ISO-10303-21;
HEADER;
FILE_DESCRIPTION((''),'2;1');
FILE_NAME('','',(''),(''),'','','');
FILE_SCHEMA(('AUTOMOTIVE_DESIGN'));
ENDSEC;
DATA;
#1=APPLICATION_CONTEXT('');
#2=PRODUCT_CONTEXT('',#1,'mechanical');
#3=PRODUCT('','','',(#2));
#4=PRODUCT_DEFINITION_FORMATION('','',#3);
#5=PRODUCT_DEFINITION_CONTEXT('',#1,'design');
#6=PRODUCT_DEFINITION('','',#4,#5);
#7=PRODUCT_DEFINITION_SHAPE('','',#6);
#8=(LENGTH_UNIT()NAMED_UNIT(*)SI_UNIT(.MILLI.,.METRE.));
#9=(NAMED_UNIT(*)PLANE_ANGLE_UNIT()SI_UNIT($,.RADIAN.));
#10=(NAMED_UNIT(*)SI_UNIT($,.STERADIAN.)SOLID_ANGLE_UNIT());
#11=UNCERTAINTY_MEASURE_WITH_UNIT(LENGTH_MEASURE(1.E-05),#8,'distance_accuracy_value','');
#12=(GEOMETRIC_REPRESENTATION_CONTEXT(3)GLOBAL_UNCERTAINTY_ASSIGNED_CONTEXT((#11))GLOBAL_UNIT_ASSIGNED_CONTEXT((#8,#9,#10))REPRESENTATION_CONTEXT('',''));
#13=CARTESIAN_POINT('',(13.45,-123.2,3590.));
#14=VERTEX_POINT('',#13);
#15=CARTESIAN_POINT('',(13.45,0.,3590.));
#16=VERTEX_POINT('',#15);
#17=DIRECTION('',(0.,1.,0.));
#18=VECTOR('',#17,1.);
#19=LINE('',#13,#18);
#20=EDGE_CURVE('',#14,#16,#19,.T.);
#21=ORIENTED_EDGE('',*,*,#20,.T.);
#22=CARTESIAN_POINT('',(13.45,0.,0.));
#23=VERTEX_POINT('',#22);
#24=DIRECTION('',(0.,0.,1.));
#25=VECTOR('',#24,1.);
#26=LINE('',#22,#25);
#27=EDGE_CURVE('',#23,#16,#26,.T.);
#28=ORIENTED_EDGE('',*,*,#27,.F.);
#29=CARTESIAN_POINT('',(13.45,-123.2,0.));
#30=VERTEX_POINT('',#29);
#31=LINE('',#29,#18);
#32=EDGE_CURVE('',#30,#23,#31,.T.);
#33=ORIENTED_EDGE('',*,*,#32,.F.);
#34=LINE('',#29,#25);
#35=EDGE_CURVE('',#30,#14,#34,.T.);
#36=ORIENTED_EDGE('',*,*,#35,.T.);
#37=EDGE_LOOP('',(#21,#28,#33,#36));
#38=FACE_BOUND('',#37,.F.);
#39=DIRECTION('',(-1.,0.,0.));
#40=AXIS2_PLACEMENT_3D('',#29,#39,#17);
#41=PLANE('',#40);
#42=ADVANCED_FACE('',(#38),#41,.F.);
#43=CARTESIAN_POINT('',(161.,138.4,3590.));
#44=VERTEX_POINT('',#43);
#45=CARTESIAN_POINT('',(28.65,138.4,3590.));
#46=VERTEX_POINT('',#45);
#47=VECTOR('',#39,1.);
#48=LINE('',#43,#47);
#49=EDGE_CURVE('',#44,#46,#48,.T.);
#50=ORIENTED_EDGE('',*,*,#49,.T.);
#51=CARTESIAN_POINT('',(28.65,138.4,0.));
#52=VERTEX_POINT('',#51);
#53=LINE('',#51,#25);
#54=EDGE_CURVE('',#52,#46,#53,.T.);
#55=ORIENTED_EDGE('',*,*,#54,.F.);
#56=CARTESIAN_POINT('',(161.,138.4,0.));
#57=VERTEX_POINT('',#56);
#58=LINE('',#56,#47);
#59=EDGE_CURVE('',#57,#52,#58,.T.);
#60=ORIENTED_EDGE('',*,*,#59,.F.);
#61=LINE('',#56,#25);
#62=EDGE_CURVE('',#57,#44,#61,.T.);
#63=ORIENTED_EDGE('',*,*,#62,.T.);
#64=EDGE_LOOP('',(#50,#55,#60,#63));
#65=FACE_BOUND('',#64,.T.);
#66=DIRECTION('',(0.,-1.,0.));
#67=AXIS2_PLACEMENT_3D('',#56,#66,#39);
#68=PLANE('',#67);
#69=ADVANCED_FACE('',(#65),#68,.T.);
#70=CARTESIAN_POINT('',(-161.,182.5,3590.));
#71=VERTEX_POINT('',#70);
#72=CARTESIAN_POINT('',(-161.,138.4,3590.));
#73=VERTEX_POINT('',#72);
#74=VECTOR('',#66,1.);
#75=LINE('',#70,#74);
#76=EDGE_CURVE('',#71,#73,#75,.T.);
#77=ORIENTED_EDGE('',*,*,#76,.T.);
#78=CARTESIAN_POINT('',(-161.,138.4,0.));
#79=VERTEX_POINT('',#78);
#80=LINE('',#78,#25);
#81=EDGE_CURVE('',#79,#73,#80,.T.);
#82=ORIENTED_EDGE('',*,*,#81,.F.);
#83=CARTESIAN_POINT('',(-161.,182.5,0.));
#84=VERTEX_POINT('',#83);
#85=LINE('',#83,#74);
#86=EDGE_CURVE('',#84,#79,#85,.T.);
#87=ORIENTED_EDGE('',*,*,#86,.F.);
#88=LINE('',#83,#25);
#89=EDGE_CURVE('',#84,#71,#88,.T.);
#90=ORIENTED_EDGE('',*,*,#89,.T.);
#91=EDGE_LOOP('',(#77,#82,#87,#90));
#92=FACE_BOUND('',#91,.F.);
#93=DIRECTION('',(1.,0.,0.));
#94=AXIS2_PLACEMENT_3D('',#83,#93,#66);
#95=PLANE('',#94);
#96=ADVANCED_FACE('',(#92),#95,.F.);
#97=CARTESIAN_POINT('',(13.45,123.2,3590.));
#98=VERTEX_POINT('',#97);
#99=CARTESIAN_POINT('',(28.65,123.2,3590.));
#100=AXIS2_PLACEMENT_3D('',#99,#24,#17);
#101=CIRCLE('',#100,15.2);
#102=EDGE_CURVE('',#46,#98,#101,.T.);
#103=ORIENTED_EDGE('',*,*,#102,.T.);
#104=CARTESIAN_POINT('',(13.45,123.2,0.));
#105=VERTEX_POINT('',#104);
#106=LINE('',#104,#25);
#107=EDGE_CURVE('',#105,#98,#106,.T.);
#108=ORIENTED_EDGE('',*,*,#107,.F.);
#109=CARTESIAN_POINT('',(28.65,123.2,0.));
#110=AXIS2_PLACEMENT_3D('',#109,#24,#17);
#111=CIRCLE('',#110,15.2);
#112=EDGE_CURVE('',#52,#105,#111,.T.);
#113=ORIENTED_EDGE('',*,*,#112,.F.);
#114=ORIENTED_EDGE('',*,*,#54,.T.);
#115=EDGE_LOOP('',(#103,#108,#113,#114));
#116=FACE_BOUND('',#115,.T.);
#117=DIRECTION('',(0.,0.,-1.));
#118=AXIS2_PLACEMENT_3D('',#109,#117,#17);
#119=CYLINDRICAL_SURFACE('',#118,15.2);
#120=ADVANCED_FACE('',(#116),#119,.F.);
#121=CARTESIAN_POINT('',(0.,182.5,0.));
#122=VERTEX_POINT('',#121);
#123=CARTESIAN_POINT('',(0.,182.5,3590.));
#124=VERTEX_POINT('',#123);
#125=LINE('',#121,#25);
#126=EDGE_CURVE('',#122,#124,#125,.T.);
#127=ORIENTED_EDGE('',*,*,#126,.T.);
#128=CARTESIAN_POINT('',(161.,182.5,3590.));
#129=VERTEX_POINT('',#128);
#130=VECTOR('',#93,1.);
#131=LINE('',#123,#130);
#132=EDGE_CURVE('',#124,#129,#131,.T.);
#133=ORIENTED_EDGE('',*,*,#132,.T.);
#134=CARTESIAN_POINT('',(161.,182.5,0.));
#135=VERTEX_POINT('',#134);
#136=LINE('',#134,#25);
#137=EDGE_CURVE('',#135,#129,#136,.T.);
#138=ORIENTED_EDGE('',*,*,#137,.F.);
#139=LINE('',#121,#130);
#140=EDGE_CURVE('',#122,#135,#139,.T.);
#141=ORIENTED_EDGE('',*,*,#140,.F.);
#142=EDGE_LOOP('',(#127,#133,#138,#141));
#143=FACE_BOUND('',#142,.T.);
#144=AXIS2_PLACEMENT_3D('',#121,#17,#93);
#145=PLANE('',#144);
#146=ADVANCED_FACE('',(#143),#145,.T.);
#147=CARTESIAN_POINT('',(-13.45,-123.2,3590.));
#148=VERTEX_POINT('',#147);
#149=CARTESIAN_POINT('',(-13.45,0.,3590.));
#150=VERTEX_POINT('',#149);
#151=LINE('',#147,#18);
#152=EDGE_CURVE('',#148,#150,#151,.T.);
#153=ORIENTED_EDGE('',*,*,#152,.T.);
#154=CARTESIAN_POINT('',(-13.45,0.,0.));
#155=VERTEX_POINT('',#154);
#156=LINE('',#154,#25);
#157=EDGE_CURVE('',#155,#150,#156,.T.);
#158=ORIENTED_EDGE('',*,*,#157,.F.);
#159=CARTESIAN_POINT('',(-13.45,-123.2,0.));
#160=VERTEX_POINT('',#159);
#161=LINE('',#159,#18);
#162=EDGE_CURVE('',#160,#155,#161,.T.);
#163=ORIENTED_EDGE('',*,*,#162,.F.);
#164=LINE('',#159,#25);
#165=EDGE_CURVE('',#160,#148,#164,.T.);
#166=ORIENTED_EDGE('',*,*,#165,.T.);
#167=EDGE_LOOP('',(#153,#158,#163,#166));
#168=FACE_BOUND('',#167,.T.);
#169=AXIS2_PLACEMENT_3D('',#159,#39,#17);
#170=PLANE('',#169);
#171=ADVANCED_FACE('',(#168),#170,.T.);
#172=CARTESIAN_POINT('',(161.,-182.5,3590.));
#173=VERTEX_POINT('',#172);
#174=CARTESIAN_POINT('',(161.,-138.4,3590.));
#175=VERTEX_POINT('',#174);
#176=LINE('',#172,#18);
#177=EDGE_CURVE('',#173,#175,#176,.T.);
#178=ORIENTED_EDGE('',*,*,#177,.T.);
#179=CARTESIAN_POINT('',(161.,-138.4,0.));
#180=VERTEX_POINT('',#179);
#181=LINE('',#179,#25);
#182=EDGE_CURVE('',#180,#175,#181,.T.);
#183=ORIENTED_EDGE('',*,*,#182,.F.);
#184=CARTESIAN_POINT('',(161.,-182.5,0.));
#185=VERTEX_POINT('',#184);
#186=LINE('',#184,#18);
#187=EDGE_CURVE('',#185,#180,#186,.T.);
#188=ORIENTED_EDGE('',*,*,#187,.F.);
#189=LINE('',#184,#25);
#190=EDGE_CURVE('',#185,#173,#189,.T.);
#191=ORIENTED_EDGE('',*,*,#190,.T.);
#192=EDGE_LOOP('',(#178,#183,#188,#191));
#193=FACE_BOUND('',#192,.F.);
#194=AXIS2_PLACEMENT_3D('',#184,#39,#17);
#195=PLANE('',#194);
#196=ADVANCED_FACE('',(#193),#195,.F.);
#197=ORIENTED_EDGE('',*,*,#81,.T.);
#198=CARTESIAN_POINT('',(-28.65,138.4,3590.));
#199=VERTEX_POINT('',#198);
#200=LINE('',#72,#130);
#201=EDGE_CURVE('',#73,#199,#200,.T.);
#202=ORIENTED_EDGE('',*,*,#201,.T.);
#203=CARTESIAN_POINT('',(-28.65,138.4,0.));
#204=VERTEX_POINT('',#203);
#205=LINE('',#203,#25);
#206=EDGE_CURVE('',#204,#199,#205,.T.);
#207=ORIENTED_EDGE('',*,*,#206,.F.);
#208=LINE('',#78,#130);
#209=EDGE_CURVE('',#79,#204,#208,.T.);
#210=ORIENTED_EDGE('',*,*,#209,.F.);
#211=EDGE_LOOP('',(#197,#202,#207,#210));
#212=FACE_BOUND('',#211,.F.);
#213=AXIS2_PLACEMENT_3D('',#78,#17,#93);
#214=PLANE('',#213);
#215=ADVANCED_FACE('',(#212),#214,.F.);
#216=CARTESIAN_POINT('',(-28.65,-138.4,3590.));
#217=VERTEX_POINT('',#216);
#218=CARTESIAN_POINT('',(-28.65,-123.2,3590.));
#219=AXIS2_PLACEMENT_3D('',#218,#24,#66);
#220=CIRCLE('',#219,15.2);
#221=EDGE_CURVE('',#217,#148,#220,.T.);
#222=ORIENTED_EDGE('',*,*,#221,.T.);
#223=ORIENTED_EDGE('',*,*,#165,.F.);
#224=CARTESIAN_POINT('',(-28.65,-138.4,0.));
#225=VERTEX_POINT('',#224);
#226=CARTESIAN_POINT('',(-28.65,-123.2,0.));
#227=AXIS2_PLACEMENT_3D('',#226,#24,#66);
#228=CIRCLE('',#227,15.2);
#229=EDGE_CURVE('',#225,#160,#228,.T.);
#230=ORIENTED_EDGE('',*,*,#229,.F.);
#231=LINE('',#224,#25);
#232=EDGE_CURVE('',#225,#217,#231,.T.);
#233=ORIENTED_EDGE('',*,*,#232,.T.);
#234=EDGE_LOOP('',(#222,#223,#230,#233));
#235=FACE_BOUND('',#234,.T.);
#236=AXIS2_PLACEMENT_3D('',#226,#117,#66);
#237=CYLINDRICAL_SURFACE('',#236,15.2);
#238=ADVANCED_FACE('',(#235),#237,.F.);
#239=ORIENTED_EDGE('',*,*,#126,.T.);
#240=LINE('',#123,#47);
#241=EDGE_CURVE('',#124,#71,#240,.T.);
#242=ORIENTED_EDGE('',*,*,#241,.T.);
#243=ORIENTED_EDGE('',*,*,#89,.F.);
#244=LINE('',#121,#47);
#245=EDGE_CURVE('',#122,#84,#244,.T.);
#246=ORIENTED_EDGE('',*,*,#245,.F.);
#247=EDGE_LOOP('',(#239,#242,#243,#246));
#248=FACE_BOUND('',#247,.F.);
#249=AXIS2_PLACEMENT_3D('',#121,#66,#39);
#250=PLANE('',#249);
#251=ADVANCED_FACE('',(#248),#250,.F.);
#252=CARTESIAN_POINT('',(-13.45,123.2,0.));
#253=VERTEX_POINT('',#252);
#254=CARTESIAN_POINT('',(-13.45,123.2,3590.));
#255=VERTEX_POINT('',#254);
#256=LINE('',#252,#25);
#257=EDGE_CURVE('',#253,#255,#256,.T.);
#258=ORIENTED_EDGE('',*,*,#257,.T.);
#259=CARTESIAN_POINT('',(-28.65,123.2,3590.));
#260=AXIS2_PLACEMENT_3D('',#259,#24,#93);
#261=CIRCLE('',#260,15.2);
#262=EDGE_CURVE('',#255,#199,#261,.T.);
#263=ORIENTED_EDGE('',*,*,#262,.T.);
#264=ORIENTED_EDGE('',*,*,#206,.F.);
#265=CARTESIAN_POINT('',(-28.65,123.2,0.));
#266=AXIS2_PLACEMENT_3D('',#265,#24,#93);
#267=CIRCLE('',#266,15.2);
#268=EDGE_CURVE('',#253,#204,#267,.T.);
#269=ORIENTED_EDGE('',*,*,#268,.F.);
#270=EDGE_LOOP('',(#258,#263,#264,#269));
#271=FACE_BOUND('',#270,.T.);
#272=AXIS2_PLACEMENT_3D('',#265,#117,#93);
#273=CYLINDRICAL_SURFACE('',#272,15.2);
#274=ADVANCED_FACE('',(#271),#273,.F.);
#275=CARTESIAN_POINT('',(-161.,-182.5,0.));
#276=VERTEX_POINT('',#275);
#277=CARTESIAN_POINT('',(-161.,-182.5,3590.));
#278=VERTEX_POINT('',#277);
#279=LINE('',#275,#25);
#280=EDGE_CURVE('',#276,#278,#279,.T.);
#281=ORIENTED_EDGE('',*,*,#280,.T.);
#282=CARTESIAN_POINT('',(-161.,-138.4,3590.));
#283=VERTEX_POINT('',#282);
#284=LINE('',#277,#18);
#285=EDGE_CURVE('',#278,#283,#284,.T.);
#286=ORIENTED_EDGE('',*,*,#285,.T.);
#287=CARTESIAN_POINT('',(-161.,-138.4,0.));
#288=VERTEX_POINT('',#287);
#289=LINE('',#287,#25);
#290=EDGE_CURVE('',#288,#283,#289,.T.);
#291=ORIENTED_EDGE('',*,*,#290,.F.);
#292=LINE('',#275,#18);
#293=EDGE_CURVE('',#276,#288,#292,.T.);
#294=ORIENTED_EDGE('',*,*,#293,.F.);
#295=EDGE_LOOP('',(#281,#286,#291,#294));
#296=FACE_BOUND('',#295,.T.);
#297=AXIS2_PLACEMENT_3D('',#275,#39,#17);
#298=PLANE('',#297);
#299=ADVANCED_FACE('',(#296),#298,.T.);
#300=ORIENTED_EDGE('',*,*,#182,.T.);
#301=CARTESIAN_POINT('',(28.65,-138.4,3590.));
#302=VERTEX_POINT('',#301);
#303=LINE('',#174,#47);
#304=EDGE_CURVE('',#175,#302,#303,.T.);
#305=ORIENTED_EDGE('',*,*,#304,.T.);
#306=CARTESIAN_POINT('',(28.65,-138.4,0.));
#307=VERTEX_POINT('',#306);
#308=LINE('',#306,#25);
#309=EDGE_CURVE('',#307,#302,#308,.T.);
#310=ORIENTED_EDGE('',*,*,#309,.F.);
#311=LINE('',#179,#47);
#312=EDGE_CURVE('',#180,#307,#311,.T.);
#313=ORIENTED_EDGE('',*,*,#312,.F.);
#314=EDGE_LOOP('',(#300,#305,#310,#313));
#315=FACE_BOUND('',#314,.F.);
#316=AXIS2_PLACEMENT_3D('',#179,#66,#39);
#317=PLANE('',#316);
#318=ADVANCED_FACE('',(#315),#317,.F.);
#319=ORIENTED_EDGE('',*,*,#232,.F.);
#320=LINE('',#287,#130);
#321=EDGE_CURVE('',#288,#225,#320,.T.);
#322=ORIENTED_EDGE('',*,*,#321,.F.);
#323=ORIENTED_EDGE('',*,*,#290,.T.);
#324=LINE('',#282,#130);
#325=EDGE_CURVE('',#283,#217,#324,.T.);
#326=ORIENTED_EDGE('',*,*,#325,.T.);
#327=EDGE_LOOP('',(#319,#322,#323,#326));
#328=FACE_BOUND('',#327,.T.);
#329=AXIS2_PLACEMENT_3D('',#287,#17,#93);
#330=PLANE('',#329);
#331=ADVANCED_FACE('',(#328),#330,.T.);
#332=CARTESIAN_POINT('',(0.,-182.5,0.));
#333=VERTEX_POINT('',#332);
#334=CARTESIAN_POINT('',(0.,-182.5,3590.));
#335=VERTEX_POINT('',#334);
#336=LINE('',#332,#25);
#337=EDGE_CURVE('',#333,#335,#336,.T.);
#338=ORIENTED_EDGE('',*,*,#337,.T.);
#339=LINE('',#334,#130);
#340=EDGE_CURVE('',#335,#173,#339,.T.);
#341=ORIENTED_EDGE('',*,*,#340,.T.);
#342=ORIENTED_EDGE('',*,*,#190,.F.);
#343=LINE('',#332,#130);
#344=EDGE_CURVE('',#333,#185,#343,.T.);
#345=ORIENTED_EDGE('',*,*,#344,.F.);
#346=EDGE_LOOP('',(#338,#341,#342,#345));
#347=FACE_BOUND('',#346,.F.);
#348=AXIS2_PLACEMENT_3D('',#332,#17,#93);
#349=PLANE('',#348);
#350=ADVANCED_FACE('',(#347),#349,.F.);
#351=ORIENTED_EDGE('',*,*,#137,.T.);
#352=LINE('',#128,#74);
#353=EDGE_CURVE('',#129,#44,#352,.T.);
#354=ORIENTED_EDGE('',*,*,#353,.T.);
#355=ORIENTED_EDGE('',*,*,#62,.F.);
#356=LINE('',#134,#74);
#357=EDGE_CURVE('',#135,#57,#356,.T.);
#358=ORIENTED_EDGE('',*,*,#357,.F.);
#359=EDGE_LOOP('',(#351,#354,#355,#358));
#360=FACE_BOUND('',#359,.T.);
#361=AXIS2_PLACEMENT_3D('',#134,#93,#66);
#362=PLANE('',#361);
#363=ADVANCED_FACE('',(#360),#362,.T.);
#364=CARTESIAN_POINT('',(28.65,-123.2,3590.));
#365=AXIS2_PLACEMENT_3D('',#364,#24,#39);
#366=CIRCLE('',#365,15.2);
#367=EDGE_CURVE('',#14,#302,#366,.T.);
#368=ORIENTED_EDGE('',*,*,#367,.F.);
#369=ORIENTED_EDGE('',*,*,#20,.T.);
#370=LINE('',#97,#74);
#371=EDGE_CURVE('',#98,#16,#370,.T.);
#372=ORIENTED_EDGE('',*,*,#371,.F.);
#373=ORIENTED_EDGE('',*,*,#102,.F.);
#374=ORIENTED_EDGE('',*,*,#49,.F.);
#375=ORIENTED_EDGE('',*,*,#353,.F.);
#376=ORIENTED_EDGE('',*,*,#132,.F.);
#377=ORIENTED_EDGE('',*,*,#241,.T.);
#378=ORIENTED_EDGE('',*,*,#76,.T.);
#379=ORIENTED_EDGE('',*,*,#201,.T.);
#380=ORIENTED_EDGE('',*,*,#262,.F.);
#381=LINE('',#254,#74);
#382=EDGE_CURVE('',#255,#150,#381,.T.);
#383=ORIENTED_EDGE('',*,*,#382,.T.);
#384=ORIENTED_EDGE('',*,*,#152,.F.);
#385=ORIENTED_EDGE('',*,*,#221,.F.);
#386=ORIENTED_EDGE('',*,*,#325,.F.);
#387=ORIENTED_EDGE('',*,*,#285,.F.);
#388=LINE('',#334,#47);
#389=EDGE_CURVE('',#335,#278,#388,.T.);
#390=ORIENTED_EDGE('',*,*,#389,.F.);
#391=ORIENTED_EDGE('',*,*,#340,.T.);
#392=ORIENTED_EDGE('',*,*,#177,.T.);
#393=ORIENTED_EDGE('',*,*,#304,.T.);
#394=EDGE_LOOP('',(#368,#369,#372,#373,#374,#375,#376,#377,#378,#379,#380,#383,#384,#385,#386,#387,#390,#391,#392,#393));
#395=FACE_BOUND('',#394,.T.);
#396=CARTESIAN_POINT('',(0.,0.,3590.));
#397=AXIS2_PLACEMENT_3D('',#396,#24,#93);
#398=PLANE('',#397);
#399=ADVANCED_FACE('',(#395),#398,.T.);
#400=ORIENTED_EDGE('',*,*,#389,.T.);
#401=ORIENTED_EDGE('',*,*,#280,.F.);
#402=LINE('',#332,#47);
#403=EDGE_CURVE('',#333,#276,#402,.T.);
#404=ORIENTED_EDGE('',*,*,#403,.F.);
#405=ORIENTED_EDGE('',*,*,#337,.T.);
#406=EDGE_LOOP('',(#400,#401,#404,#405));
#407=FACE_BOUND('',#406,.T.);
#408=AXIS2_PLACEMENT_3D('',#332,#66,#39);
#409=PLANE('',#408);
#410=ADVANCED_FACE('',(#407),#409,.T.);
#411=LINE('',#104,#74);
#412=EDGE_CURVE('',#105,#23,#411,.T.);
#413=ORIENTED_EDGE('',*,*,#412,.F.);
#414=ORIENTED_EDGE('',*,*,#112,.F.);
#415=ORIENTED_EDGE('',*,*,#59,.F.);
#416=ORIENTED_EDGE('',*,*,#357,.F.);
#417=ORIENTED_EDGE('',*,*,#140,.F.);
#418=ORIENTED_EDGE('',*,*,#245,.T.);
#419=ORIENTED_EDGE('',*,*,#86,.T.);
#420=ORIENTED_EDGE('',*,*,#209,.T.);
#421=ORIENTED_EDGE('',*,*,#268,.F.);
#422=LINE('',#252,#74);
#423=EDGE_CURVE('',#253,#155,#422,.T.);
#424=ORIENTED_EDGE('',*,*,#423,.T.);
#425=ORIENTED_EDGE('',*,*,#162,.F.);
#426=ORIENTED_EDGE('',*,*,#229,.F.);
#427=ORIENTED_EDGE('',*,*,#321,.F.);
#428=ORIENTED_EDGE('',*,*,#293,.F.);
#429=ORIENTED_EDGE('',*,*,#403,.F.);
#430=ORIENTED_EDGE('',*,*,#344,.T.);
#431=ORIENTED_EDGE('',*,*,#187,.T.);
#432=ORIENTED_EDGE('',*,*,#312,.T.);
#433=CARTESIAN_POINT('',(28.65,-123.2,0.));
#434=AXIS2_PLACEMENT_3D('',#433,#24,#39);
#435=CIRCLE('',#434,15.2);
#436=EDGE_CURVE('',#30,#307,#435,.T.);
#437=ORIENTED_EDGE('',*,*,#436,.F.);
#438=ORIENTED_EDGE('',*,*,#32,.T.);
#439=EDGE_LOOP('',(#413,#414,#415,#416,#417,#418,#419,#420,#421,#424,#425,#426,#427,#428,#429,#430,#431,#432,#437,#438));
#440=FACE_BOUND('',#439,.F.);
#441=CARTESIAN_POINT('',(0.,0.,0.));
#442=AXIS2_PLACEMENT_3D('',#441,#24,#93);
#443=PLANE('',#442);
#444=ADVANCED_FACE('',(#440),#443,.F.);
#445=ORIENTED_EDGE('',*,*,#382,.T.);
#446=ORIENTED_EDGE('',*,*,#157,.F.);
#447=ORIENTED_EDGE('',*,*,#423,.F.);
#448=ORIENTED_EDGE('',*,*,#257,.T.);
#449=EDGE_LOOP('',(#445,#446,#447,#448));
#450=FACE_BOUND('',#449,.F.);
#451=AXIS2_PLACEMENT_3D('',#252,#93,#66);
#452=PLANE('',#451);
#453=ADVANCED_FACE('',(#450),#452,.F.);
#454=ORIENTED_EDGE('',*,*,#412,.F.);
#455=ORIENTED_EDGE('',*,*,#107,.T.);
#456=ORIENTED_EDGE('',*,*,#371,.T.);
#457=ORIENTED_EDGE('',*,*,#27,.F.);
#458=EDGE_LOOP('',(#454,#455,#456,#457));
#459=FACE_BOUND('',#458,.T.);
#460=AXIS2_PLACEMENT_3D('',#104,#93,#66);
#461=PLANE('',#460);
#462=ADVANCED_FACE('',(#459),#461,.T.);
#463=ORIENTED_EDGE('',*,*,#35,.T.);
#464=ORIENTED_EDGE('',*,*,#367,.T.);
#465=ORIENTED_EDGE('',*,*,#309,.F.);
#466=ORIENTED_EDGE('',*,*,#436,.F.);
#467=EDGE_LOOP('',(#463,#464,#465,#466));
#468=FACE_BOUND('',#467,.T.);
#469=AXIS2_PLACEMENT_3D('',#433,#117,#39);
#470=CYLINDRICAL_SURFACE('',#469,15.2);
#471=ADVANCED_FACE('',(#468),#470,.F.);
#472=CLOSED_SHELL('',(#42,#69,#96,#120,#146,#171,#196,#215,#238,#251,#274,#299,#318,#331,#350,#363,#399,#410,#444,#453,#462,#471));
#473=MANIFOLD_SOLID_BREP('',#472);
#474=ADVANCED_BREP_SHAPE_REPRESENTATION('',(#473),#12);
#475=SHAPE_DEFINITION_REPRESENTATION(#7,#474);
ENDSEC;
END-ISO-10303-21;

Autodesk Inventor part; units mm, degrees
ref_plane "YZ Plane" through (0, 0, 0) normal (1, 0, 0) x (0, 1, 0)
ref_plane "Start plane" through (0, 0, 0) normal (0, 0, 1) x (1, 0, 0)
ref_plane "End plane" through (0, 0, 3590) normal (0, 0, 1) x (1, 0, 0)
sketch "Sketch" plane through (0, 0, 0) normal (0, 0, 1) x (1, 0, 0)
  line L0 (-161, -182.5) -> (-161, -138.4)
  line L1 (-161, -138.4) -> (-28.65, -138.4)
  line L2 (-13.45, -123.2) -> (-13.45, 0)
  line L3 (-13.45, 0) -> (0, 0) construction
  line L4 (0, 0) -> (0, -182.5) construction
  line L5 (0, -182.5) -> (-161, -182.5)
  line L6 (-60, 0) -> (80, 0) construction
  line L7 (0, -60) -> (0, 80) construction
  line L8 (161, -182.5) -> (161, -138.4)
  line L9 (161, -138.4) -> (28.65, -138.4)
  line L10 (13.45, -123.2) -> (13.45, 0)
  line L11 (13.45, 0) -> (0, 0) construction
  line L12 (0, -182.5) -> (161, -182.5)
  line L13 (-161, 182.5) -> (-161, 138.4)
  line L14 (-161, 138.4) -> (-28.65, 138.4)
  line L15 (-13.45, 123.2) -> (-13.45, 0)
  line L16 (0, 182.5) -> (-161, 182.5)
  line L17 (161, 182.5) -> (161, 138.4)
  line L18 (161, 138.4) -> (28.65, 138.4)
  line L19 (0, 182.5) -> (161, 182.5)
  line L20 (13.45, 123.2) -> (13.45, 0)
  arc A0 (-13.45, 123.2) -> (-28.65, 138.4) centre (-28.65, 123.2) ccw
  arc A1 (28.65, 138.4) -> (13.45, 123.2) centre (28.65, 123.2) ccw
  arc A2 (13.45, -123.2) -> (28.65, -138.4) centre (28.65, -123.2) ccw
  arc A3 (-28.65, -138.4) -> (-13.45, -123.2) centre (-28.65, -123.2) ccw
  line L21 (0, 108) -> (0, -88) construction
  line L22 (-88, 0) -> (108, 0) construction
  point P0 (-13.45, -138.4)
  point P1 (13.45, -138.4)
  point P2 (-13.45, 138.4)
  point P3 (13.45, 138.4)
  dimension "d1" = 182.5
  dimension "d2" = 44.1
  dimension "d3" = 161
  dimension "d4" = 13.45
  dimension "d10" = 15.2
extrude "Body" add sketch "Sketch" along normal up to surface (3590 mm away) from surface at 0
sketch "Sketch4" plane through (0, 0, 0) normal (0, 0, 1) x (1, 0, 0)
  line L0 (0, 0) -> (10, 0)
ref_plane "Work Plane3" through (0, 0, 0) normal (0, -1, 0) x (1, 0, 0)
sketch "Sketch5" plane through (0, 0, 0) normal (0, -1, 0) x (1, 0, 0)
  line L0 (-2, 0) -> (12, 0) projected
  line L1 (-2, 3590) -> (12, 3590) projected
  dimension "d14" = 3590
equation "\"d1\" = 0.5 * G_H"
equation "\"d2\" = G_T1"
equation "\"d3\" = 0.5 * G_W"
equation "\"d4\" = 0.5 * G_T"
equation "\"d10\" = G_IR"
equation "\"d5\" = G_L"
equation "\"G_W\" = 322"
equation "\"G_H\" = 365"
equation "\"G_T\" = 26.9"
equation "\"G_T1\" = 44.1"
equation "\"G_IR\" = 15.2"
equation "\"G_L\" = d14"
equation "\"G_OFFSET_START\" = 0"
equation "\"G_OFFSET_END\" = 0"
properties part number "AS 3679 - 310 UC - 283 - 3590" material "Steel, Mild"
